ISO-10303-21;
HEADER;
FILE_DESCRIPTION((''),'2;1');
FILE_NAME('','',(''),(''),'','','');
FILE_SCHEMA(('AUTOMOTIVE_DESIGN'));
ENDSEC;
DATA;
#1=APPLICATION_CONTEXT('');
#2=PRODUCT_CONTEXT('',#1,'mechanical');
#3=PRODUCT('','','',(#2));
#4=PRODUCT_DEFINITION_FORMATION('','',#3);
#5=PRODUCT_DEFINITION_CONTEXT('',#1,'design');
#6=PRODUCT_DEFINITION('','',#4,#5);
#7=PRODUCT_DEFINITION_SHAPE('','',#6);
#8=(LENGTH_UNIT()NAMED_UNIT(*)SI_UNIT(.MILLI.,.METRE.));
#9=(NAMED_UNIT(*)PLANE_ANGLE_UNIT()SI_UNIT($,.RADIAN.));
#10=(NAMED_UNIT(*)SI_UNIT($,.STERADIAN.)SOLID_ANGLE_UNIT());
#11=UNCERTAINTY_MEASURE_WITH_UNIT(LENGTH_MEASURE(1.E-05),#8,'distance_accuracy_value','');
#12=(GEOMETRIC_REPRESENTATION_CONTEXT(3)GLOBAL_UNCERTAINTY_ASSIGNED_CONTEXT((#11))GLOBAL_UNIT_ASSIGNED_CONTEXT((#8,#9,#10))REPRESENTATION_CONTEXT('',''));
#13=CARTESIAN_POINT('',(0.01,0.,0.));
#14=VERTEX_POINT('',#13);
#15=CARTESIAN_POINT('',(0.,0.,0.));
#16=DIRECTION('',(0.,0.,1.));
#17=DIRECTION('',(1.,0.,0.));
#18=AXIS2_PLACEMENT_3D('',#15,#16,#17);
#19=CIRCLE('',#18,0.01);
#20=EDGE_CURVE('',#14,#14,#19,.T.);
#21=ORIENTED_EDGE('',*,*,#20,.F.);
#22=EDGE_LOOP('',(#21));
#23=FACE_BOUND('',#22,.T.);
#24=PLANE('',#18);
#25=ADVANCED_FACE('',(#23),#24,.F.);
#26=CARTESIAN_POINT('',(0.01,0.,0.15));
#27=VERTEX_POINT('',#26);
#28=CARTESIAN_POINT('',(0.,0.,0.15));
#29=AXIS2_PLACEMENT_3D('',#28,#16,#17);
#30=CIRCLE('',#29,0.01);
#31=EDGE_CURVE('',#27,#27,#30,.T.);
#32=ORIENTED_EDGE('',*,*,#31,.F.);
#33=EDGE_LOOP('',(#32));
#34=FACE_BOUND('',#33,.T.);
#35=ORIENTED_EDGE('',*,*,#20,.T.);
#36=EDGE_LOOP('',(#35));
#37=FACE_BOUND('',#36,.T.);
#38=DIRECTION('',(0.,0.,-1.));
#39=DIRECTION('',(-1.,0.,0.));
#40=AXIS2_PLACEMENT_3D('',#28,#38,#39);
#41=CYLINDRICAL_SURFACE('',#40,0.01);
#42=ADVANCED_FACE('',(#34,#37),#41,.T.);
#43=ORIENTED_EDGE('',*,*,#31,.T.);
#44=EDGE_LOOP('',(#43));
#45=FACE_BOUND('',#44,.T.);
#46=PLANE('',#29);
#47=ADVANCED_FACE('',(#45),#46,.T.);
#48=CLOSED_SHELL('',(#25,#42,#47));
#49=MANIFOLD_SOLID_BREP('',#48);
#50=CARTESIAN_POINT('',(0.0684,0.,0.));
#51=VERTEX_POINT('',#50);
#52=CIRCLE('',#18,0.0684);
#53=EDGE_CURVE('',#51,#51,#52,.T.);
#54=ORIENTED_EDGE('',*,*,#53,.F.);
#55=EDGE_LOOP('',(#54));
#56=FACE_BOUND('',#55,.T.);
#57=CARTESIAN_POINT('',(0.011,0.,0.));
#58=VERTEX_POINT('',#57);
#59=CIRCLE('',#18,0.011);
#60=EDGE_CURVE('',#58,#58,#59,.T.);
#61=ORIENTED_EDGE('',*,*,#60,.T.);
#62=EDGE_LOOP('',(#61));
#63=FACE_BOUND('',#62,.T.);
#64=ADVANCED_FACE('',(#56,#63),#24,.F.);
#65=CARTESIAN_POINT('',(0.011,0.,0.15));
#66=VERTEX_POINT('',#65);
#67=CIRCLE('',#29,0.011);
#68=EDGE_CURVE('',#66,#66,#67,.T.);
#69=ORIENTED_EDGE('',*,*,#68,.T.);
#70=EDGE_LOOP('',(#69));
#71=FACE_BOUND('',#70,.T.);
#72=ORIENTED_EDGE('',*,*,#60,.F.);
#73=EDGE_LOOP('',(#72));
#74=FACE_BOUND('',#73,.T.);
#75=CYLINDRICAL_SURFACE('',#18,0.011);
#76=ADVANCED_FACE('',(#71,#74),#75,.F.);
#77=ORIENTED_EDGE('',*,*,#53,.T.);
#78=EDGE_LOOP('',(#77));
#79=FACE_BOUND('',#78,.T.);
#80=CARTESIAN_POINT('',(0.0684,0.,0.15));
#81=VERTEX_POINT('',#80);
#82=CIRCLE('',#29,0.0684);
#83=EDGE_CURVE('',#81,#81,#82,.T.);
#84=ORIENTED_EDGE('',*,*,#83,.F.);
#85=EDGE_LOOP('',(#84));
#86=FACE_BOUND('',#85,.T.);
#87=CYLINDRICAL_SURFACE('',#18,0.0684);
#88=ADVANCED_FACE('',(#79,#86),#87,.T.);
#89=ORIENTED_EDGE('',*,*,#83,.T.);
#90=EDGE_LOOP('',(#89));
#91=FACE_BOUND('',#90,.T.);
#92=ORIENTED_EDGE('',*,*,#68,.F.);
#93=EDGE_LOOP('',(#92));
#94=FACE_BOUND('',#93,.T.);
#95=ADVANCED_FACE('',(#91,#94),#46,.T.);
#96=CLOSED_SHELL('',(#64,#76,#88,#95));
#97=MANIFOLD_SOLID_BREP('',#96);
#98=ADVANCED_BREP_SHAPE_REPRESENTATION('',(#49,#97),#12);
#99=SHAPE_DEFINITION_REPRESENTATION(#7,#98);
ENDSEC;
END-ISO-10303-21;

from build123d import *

# Parameters (mm, degrees)
SKETCH_1_R      = 0.01
EXTRUDE_1_DEPTH = 0.15
SKETCH_2_R      = 0.0684
SKETCH_2_R_2    = 0.011
EXTRUDE_5_DEPTH = 0.15


with BuildPart() as part:
    # 草圖1 → 填料-伸長1 (new body)
    with BuildSketch(Plane.XY):
        Circle(SKETCH_1_R)
    extrude(amount=EXTRUDE_1_DEPTH)


with BuildPart() as body_2:
    # 草圖2 → 填料-伸長5 (new body)
    with BuildSketch(Plane.XY.offset(0.15)):
        Circle(SKETCH_2_R)
        Circle(SKETCH_2_R_2, mode=Mode.SUBTRACT)
    extrude(amount=-EXTRUDE_5_DEPTH)


solid = Compound([part.part, body_2.part])
